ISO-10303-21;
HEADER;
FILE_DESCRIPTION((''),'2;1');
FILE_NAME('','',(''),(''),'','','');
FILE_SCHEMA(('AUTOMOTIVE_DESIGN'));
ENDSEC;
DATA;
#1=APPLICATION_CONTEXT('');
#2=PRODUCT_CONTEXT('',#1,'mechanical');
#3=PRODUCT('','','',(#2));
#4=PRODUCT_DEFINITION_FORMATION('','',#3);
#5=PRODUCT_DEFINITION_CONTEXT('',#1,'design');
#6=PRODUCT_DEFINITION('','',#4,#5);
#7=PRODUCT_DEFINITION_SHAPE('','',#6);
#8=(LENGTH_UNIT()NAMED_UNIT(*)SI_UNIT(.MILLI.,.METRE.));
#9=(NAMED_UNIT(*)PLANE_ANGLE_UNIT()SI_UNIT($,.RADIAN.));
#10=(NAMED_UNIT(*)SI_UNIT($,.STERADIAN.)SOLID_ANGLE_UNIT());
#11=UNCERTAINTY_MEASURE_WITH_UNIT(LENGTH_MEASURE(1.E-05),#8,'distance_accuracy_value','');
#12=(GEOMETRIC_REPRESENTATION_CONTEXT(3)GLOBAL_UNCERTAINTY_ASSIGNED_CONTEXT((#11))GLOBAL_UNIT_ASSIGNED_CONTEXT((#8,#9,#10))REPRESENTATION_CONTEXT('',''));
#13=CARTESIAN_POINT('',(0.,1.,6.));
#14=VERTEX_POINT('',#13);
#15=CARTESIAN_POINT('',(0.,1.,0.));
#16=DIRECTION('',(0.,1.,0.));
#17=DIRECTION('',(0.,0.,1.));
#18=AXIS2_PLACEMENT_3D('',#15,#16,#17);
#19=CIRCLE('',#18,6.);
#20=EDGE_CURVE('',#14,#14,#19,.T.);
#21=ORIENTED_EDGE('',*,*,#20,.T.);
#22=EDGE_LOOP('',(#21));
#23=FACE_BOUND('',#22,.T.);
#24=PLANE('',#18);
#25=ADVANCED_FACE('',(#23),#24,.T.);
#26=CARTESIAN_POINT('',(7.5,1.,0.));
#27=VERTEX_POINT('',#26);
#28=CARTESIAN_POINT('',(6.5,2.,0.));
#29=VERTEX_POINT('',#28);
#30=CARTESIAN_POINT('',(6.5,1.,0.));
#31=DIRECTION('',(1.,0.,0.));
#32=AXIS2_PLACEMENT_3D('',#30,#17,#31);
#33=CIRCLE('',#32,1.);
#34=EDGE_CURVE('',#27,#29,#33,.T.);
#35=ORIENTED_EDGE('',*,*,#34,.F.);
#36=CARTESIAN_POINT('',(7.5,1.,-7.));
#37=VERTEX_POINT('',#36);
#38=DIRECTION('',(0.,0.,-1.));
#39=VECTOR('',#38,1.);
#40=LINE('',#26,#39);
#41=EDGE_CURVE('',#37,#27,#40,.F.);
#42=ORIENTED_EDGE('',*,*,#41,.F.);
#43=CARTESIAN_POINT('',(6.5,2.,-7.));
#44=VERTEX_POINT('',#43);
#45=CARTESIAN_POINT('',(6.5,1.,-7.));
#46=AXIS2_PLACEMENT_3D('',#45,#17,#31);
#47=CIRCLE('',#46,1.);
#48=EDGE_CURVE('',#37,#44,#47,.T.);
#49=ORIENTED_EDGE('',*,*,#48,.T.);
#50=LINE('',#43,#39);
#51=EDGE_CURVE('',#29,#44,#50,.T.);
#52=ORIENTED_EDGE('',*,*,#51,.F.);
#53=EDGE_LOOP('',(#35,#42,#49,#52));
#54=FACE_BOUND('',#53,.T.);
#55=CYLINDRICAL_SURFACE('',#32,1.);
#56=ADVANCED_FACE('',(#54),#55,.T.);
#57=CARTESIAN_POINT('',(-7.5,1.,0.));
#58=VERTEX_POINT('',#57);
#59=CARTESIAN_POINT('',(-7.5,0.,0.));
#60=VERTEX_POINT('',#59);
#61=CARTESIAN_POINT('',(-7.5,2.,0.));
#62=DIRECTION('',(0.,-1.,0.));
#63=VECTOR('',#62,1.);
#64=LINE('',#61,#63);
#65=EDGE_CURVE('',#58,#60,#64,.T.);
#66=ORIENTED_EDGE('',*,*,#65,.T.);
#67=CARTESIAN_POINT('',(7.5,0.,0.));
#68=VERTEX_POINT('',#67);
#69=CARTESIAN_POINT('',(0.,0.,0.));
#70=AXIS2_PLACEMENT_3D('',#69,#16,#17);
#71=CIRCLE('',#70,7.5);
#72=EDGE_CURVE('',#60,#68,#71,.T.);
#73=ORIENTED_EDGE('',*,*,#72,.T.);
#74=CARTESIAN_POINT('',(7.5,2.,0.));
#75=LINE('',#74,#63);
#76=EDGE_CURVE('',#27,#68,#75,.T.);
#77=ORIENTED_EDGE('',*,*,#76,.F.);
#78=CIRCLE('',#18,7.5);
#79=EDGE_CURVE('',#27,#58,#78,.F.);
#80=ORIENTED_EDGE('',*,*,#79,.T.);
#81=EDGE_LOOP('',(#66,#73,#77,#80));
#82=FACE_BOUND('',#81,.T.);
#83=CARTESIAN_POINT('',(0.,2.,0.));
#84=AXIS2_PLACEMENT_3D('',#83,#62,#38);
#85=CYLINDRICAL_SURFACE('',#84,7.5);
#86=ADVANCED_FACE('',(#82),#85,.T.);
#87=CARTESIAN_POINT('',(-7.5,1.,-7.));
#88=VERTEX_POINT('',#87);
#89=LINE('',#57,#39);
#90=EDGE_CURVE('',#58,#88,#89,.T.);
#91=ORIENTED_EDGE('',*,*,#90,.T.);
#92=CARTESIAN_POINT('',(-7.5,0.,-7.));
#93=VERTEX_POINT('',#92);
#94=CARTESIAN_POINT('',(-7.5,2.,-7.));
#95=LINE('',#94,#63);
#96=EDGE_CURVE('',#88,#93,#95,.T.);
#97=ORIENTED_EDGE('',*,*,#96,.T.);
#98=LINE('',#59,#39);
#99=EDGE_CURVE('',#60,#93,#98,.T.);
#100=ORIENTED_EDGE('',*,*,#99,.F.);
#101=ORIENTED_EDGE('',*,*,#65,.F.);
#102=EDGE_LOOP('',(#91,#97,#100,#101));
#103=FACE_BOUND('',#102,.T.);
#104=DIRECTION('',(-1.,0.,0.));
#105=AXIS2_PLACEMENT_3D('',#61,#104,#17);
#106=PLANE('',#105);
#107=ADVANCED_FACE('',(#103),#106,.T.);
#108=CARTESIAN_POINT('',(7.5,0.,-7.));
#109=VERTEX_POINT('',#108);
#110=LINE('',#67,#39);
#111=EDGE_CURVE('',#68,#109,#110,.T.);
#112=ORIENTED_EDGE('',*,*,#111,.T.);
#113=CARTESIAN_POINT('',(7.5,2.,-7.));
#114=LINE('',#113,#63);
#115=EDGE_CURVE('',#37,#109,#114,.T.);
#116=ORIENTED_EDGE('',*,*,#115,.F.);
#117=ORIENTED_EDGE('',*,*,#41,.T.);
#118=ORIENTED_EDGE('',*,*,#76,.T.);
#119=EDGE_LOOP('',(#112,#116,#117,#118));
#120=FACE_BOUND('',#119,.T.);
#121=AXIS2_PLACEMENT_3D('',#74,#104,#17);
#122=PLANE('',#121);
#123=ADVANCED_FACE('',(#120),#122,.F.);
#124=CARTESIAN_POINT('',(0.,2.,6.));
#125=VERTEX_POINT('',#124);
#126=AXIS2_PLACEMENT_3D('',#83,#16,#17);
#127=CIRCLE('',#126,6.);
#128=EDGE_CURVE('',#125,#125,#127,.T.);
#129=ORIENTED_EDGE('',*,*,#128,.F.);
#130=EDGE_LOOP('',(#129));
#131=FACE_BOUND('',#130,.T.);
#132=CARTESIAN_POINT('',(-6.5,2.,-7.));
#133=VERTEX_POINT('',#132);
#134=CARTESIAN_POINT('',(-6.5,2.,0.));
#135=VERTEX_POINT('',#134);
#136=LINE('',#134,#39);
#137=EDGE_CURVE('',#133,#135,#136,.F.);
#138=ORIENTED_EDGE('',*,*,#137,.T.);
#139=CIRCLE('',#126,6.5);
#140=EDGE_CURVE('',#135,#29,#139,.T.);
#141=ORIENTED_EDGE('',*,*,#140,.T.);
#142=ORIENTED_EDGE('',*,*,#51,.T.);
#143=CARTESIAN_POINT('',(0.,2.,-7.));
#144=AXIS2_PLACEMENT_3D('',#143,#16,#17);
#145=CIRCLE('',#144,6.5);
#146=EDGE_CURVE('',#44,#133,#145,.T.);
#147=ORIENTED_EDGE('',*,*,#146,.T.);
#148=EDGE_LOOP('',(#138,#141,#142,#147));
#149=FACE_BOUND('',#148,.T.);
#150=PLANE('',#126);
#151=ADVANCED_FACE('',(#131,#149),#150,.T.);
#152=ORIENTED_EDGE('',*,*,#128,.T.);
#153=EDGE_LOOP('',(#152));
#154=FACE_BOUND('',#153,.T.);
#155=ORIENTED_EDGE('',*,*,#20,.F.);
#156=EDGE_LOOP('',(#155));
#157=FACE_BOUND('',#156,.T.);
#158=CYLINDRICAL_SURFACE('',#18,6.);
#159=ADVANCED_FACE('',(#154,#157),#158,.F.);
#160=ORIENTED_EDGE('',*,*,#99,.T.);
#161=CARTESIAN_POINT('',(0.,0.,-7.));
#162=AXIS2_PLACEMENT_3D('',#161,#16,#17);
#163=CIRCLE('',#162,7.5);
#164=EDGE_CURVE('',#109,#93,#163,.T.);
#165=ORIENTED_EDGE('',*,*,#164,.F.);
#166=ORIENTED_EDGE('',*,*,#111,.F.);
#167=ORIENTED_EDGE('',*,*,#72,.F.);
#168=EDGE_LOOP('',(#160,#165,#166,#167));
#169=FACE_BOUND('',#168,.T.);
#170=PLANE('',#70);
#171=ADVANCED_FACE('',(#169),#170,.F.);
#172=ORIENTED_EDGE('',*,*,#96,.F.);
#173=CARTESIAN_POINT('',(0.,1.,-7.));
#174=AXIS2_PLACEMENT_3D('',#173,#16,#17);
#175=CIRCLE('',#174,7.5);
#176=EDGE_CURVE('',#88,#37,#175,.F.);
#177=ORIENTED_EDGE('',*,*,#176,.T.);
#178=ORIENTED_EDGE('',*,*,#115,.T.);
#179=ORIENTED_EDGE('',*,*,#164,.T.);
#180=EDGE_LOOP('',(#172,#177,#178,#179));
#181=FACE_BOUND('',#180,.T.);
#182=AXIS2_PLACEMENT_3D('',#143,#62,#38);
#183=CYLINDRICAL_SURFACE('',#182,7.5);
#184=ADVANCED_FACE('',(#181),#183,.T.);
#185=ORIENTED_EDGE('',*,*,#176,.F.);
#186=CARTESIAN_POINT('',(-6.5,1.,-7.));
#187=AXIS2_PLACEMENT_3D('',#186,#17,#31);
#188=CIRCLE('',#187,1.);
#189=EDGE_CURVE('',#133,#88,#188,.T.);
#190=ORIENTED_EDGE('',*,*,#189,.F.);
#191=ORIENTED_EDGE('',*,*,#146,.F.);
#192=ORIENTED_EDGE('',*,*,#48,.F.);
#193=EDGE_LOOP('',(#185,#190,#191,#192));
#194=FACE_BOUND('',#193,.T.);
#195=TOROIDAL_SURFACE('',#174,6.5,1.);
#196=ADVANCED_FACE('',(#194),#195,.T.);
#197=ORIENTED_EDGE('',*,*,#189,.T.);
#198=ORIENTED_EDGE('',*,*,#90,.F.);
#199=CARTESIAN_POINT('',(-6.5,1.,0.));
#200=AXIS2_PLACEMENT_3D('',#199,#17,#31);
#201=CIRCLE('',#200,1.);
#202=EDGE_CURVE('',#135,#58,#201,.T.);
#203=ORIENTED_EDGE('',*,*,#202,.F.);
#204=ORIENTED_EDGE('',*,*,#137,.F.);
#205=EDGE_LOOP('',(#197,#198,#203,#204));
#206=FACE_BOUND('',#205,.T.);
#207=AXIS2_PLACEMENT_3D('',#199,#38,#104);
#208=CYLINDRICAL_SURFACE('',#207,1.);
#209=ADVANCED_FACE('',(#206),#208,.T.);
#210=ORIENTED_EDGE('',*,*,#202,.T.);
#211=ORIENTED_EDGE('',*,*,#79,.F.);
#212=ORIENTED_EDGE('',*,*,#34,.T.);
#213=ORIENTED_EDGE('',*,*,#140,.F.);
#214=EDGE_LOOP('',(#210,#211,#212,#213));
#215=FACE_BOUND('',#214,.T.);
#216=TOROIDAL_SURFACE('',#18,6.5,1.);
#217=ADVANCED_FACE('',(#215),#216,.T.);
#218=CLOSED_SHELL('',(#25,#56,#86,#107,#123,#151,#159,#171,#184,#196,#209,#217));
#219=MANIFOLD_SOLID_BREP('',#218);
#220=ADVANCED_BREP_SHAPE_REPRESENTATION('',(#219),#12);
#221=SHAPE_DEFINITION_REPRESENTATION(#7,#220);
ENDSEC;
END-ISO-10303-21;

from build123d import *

# Parameters (mm, degrees)
BOSS_EXTRUDE2_DEPTH = 2
SKETCH3_R           = 6
CUT_EXTRUDE1_DEPTH  = 1
FILLET2_R           = 1


with BuildPart() as part:
    # Sketch2 → Boss-Extrude2 (new body)
    with BuildSketch(Plane(origin=(0, 0, 0), x_dir=(1, 0, 0), z_dir=(0, 1, 0))):
        with BuildLine():
            Line((-7.5, 0), (-7.5, 7))
            ThreePointArc((-7.5, 7), (0, 14.5), (7.5, 7))
            Line((7.5, 7), (7.5, 0))
            ThreePointArc((7.5, 0), (0, -7.5), (-7.5, 0))
        make_face()
    extrude(amount=BOSS_EXTRUDE2_DEPTH)

    # Sketch3 → Cut-Extrude1 (cut)
    with BuildSketch(Plane(origin=(0, 2, 0), x_dir=(1, 0, 0), z_dir=(0, 1, 0))):
        Circle(SKETCH3_R)
    extrude(amount=-CUT_EXTRUDE1_DEPTH, mode=Mode.SUBTRACT)

    # Fillet2
    fillet2_edges = [part.edges().sort_by_distance(p)[0] for p in [
        (0, 2, -14.5),
        (-7.5, 2, -3.5),
        (0, 2, 7.5),
        (7.5, 2, -3.5),
    ]]
    fillet(fillet2_edges, radius=FILLET2_R)


solid = part.part
